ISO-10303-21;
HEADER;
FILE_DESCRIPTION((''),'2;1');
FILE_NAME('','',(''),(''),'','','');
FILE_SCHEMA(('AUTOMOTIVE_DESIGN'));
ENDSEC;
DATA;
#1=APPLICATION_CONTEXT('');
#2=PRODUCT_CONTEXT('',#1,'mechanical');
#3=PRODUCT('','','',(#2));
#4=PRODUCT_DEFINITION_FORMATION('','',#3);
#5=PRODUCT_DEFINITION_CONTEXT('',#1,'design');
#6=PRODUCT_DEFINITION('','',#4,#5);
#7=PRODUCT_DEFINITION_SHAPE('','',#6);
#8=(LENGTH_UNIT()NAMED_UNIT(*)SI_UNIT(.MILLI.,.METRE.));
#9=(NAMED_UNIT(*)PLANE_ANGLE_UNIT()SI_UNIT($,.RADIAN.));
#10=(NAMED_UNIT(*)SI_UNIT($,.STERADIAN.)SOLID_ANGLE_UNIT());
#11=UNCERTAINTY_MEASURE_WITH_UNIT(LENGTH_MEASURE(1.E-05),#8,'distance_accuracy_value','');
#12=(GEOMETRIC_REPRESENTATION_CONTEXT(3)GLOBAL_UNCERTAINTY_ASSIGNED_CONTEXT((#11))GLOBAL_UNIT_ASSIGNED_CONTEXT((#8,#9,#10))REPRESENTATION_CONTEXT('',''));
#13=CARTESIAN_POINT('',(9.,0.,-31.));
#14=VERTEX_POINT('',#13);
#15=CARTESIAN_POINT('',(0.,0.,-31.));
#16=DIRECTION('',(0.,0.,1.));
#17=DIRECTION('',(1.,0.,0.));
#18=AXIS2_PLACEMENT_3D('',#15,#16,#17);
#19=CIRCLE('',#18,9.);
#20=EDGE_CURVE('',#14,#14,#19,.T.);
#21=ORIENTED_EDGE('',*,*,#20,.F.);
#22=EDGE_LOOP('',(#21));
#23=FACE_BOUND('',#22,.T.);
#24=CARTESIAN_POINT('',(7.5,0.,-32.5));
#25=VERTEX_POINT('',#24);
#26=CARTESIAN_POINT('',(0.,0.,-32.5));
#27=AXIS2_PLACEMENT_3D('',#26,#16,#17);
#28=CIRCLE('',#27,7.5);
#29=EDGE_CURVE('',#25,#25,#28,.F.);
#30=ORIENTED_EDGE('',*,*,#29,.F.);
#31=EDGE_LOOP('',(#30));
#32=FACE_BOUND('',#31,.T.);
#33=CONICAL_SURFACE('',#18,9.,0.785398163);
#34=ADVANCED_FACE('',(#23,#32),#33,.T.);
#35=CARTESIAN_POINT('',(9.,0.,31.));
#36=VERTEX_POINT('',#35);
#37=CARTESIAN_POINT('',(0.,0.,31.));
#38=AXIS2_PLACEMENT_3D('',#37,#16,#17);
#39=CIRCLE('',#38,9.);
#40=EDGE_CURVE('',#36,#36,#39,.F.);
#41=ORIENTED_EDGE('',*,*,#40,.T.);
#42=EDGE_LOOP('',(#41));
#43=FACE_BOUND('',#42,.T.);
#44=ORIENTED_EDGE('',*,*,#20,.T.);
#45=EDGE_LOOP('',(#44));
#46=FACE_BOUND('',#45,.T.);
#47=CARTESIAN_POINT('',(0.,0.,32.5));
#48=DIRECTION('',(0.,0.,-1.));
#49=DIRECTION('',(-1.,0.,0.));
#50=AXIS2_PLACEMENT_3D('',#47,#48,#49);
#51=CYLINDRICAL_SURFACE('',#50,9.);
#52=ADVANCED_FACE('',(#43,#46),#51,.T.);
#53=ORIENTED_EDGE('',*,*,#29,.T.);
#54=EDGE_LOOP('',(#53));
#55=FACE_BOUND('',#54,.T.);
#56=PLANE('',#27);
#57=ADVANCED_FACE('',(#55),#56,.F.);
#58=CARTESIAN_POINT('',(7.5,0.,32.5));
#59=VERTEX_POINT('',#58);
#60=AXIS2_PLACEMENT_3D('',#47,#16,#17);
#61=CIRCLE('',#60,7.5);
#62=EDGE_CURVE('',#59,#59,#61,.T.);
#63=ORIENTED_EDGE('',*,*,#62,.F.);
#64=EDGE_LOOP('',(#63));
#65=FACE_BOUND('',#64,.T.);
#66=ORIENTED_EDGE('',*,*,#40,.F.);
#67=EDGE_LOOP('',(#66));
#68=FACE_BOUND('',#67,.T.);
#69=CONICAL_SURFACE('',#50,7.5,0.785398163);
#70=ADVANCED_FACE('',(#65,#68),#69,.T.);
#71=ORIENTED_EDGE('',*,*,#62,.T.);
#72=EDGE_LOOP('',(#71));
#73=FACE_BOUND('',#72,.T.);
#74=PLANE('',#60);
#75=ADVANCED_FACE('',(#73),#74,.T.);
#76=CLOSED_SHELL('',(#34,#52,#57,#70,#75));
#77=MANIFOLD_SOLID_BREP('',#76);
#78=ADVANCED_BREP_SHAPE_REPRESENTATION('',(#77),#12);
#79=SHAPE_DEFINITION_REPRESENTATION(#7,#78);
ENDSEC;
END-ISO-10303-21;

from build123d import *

# Parameters (mm, degrees)
ESQUISSE1_R        = 9
BOSS_EXTRU_1_DEPTH = 32.5
CHANFREIN1_SIZE    = 1.5


with BuildPart() as part:
    # Esquisse1 → Boss.-Extru.1 (new body, symmetric)
    with BuildSketch(Plane.XY):
        Circle(ESQUISSE1_R)
    extrude(amount=BOSS_EXTRU_1_DEPTH, both=True)

    # Chanfrein1
    chanfrein1_edges = [part.edges().sort_by_distance(p)[0] for p in [
        (-9, 0, -32.5),
        (-9, 0, 32.5),
    ]]
    chamfer(chanfrein1_edges, length=CHANFREIN1_SIZE)


solid = part.part
